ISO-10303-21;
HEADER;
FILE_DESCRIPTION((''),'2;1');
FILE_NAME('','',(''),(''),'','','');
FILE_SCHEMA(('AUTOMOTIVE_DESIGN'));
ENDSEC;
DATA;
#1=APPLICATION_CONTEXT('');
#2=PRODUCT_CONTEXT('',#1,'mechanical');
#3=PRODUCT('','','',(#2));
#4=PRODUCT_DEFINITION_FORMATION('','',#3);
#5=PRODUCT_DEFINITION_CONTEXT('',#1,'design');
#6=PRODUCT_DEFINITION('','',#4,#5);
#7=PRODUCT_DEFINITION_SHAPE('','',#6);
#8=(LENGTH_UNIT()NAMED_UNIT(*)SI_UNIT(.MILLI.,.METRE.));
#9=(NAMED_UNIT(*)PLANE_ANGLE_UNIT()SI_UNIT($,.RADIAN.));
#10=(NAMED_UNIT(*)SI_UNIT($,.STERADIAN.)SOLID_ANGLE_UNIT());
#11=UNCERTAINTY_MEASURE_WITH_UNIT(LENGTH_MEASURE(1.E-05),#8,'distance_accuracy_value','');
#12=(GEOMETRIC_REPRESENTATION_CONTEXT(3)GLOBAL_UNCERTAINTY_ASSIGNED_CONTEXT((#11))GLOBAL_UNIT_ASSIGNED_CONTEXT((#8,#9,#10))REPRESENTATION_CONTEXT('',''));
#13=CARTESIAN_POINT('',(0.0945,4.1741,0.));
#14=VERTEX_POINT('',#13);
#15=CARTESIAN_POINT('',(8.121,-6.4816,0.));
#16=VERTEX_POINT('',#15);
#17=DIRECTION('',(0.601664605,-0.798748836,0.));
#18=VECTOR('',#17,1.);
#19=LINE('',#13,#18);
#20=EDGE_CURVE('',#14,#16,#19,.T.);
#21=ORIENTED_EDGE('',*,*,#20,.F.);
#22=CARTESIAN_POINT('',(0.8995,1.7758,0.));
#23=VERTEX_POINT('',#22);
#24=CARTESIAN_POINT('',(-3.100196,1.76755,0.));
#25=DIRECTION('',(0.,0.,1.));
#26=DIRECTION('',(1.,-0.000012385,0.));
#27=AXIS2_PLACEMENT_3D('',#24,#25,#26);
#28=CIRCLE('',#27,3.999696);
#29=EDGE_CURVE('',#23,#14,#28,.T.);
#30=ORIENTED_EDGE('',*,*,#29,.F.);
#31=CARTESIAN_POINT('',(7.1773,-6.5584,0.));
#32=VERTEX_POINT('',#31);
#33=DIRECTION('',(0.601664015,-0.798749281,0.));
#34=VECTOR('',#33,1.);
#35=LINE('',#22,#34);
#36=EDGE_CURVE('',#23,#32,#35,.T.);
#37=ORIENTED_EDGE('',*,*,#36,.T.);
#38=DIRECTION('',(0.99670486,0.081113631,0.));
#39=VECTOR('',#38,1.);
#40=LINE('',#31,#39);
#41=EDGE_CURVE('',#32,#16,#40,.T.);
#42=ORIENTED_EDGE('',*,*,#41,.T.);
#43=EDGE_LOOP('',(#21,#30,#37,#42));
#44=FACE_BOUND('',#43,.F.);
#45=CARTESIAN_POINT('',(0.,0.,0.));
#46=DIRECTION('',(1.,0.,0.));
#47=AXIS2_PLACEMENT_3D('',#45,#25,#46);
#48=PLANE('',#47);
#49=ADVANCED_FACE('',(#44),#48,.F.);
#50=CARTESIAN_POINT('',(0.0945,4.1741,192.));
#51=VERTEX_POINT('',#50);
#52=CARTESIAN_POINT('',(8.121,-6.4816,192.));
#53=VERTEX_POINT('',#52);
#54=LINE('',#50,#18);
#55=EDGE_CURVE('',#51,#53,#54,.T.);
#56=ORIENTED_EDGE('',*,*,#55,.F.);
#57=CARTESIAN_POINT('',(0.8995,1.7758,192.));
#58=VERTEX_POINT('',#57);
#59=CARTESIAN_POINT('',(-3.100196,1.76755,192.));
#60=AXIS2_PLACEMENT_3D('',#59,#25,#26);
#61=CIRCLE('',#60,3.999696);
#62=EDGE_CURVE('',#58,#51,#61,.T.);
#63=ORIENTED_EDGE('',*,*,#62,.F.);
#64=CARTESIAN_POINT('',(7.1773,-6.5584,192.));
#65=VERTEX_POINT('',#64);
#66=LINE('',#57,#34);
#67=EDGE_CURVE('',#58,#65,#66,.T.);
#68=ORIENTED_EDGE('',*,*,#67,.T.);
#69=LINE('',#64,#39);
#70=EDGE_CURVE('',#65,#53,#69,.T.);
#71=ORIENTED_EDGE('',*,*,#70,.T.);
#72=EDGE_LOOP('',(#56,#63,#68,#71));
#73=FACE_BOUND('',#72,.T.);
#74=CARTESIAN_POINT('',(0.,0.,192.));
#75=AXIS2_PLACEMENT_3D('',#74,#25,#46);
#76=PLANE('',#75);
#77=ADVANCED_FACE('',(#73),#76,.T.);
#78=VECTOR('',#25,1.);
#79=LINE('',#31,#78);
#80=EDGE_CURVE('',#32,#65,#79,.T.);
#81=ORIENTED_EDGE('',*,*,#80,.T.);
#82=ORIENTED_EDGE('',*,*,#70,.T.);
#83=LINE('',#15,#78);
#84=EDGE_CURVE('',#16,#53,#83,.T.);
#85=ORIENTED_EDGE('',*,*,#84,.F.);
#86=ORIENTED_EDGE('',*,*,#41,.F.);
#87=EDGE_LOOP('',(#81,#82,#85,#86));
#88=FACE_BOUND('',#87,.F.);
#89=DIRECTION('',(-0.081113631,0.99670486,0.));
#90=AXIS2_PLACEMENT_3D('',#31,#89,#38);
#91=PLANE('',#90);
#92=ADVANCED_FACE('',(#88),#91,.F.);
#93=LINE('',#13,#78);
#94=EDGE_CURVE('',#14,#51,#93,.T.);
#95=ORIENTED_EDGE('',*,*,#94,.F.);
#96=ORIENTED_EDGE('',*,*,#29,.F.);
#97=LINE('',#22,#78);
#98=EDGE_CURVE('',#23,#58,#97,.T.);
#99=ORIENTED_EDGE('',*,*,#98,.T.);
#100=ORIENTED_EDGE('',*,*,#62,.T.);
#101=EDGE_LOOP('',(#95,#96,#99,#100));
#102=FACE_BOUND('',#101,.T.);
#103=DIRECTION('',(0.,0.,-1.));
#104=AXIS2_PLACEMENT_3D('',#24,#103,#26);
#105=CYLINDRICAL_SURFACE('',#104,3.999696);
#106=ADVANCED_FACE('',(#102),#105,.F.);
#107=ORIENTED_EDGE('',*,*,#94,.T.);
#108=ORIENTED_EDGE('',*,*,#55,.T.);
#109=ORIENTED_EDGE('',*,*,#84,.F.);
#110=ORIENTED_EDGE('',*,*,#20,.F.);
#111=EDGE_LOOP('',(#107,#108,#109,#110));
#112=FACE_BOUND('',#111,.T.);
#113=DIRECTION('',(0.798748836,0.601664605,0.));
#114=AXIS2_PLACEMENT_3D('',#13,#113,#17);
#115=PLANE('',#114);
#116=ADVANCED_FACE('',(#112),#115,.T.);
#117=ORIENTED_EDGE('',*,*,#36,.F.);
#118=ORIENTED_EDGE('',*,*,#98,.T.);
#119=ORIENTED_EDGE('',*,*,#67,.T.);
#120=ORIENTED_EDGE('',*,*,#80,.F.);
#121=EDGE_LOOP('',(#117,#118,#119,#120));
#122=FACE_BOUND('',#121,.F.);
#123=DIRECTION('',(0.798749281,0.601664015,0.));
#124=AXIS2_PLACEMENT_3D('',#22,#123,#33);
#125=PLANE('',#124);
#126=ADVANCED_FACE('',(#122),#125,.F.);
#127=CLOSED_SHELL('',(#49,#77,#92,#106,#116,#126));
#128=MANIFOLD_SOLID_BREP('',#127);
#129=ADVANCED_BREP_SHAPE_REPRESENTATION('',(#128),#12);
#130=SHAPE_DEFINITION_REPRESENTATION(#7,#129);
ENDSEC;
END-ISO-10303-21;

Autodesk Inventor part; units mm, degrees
ref_plane "YZ Plane" through (0, 0, 0) normal (1, 0, 0) x (0, 1, 0)
ref_plane "XZ Plane" through (0, 0, 0) normal (0, 1, 0) x (-1, 0, 0)
ref_plane "XY Plane" through (0, 0, 0) normal (0, 0, 1) x (1, 0, 0)
sketch "Sketch2" plane through (0, 0, 0) normal (0, 0, 1) x (1, 0, 0)
  line L0 (0.8995, 1.7758) -> (0.8995, 1.7675)
  line L1 (0.0945, 4.1741) -> (8.121, -6.4816)
  line L2 (0.8995, 1.7758) -> (7.1773, -6.5584)
  line L3 (7.1773, -6.5584) -> (8.121, -6.4816)
  arc A0 (0.8995, 1.7675) -> (0.0945, 4.1741) centre (-3.1005, 1.7675) ccw
  point P0 (0, 0)
  point P1 (1.9373, -6.9846)
  point P2 (6.534, -6.6107)
  dimension "d7" = 0.8
extrude "Extrusion2" add sketch "Sketch2" along normal blind 192
properties part number "2P.03.01.05.IM.FlapCutFill" material "Wood (Birch)"
